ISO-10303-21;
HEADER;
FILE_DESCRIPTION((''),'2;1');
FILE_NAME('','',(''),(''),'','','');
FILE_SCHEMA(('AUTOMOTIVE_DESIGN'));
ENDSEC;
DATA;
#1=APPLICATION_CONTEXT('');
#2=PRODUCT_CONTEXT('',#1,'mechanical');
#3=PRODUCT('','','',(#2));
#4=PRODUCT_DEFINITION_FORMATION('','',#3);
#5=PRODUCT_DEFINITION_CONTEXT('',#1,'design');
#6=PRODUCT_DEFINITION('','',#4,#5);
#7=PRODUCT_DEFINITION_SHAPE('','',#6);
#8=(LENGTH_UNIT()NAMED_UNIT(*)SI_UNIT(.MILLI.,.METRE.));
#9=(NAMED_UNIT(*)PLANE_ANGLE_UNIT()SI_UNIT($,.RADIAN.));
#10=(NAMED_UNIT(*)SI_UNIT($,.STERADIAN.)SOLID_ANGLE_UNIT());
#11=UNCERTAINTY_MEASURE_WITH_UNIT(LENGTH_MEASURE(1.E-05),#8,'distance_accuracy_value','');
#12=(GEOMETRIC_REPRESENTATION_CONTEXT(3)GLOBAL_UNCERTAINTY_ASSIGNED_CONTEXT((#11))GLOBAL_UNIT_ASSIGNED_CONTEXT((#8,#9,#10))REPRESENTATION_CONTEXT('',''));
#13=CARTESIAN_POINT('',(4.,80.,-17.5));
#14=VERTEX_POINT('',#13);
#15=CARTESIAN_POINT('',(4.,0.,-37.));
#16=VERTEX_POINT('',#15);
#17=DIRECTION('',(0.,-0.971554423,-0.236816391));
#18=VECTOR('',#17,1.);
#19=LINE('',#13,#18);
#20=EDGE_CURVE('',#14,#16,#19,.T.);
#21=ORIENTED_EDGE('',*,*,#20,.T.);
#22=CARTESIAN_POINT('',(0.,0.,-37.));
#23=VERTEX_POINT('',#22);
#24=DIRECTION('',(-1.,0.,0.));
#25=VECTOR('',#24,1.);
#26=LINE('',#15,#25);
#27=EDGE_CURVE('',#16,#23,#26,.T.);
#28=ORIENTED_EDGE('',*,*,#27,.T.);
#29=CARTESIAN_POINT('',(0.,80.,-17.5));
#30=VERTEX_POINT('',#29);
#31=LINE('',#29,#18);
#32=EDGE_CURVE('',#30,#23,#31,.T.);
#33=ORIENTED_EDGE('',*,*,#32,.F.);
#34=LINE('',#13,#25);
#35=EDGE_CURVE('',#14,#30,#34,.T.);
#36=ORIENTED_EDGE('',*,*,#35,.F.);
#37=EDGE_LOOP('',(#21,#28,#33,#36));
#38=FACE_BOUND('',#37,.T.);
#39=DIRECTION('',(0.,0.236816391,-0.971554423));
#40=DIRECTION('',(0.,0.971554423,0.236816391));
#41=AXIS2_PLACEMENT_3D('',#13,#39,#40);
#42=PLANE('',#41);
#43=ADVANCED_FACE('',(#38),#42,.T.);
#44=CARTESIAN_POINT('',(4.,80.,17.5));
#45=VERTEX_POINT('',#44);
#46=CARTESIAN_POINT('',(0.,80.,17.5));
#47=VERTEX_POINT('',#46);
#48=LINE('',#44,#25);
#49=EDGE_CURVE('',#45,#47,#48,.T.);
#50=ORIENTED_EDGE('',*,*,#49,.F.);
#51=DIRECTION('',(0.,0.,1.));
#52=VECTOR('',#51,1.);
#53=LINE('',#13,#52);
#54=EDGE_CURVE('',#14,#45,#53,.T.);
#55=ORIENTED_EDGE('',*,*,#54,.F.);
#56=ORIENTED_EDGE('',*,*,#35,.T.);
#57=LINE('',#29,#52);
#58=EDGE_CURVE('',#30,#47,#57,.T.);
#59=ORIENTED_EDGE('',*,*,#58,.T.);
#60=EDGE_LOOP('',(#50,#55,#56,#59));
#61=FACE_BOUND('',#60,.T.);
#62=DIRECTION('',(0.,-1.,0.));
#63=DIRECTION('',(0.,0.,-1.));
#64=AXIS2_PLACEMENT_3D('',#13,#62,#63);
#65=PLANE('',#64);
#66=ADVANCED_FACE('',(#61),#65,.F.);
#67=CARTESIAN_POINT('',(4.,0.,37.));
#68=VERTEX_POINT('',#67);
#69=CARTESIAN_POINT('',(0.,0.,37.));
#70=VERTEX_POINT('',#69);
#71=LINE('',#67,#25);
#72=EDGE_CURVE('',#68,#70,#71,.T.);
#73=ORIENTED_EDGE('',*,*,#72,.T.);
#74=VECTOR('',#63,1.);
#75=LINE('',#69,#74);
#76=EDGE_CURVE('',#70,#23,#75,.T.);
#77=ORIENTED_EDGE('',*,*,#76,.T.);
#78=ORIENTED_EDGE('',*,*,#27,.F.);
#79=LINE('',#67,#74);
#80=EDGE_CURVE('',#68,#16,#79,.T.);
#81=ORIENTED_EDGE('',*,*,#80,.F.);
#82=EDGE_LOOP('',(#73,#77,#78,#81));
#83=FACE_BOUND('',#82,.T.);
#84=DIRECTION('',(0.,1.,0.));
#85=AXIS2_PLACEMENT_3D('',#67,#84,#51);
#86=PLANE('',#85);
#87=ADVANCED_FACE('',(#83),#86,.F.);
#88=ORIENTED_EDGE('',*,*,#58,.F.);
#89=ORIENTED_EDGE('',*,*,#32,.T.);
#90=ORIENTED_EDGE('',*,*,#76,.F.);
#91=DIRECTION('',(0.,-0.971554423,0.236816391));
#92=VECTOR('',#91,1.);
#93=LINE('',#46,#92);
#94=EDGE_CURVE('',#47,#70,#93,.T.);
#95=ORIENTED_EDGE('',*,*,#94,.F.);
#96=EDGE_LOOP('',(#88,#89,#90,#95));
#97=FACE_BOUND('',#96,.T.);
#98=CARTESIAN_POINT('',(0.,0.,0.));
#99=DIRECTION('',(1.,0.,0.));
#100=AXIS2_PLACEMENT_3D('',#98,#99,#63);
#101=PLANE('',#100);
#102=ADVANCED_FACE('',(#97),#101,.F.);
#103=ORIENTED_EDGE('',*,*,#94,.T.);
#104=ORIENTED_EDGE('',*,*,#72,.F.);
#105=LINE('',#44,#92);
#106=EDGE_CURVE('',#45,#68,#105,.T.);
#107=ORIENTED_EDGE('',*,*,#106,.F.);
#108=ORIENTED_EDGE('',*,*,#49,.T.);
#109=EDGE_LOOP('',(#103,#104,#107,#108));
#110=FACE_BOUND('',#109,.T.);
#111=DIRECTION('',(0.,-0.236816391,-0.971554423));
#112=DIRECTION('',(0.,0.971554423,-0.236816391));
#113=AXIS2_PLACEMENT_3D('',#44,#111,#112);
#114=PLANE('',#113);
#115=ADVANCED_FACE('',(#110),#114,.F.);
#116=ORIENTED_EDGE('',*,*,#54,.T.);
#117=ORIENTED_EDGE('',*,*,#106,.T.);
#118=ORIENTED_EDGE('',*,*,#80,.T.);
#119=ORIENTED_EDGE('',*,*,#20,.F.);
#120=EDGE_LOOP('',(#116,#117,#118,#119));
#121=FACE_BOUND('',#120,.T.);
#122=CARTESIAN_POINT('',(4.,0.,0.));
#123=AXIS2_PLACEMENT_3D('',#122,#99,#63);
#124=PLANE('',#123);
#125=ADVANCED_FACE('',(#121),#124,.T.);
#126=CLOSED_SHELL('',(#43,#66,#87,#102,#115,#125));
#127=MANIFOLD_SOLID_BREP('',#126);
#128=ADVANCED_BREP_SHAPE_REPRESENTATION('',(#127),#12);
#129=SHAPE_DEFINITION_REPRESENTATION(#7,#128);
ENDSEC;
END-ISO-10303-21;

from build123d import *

# Parameters (mm, degrees)
BOSS_EXTRUDE1_DEPTH = 4


with BuildPart() as part:
    # Sketch2 → Boss-Extrude1 (new body)
    with BuildSketch(Plane(origin=(0, 0, 0), x_dir=(0, 0, -1), z_dir=(1, 0, 0))):
        Polygon((17.5, 80), (-17.5, 80), (-37, 0), (37, 0), align=None)
    extrude(amount=BOSS_EXTRUDE1_DEPTH)


solid = part.part
